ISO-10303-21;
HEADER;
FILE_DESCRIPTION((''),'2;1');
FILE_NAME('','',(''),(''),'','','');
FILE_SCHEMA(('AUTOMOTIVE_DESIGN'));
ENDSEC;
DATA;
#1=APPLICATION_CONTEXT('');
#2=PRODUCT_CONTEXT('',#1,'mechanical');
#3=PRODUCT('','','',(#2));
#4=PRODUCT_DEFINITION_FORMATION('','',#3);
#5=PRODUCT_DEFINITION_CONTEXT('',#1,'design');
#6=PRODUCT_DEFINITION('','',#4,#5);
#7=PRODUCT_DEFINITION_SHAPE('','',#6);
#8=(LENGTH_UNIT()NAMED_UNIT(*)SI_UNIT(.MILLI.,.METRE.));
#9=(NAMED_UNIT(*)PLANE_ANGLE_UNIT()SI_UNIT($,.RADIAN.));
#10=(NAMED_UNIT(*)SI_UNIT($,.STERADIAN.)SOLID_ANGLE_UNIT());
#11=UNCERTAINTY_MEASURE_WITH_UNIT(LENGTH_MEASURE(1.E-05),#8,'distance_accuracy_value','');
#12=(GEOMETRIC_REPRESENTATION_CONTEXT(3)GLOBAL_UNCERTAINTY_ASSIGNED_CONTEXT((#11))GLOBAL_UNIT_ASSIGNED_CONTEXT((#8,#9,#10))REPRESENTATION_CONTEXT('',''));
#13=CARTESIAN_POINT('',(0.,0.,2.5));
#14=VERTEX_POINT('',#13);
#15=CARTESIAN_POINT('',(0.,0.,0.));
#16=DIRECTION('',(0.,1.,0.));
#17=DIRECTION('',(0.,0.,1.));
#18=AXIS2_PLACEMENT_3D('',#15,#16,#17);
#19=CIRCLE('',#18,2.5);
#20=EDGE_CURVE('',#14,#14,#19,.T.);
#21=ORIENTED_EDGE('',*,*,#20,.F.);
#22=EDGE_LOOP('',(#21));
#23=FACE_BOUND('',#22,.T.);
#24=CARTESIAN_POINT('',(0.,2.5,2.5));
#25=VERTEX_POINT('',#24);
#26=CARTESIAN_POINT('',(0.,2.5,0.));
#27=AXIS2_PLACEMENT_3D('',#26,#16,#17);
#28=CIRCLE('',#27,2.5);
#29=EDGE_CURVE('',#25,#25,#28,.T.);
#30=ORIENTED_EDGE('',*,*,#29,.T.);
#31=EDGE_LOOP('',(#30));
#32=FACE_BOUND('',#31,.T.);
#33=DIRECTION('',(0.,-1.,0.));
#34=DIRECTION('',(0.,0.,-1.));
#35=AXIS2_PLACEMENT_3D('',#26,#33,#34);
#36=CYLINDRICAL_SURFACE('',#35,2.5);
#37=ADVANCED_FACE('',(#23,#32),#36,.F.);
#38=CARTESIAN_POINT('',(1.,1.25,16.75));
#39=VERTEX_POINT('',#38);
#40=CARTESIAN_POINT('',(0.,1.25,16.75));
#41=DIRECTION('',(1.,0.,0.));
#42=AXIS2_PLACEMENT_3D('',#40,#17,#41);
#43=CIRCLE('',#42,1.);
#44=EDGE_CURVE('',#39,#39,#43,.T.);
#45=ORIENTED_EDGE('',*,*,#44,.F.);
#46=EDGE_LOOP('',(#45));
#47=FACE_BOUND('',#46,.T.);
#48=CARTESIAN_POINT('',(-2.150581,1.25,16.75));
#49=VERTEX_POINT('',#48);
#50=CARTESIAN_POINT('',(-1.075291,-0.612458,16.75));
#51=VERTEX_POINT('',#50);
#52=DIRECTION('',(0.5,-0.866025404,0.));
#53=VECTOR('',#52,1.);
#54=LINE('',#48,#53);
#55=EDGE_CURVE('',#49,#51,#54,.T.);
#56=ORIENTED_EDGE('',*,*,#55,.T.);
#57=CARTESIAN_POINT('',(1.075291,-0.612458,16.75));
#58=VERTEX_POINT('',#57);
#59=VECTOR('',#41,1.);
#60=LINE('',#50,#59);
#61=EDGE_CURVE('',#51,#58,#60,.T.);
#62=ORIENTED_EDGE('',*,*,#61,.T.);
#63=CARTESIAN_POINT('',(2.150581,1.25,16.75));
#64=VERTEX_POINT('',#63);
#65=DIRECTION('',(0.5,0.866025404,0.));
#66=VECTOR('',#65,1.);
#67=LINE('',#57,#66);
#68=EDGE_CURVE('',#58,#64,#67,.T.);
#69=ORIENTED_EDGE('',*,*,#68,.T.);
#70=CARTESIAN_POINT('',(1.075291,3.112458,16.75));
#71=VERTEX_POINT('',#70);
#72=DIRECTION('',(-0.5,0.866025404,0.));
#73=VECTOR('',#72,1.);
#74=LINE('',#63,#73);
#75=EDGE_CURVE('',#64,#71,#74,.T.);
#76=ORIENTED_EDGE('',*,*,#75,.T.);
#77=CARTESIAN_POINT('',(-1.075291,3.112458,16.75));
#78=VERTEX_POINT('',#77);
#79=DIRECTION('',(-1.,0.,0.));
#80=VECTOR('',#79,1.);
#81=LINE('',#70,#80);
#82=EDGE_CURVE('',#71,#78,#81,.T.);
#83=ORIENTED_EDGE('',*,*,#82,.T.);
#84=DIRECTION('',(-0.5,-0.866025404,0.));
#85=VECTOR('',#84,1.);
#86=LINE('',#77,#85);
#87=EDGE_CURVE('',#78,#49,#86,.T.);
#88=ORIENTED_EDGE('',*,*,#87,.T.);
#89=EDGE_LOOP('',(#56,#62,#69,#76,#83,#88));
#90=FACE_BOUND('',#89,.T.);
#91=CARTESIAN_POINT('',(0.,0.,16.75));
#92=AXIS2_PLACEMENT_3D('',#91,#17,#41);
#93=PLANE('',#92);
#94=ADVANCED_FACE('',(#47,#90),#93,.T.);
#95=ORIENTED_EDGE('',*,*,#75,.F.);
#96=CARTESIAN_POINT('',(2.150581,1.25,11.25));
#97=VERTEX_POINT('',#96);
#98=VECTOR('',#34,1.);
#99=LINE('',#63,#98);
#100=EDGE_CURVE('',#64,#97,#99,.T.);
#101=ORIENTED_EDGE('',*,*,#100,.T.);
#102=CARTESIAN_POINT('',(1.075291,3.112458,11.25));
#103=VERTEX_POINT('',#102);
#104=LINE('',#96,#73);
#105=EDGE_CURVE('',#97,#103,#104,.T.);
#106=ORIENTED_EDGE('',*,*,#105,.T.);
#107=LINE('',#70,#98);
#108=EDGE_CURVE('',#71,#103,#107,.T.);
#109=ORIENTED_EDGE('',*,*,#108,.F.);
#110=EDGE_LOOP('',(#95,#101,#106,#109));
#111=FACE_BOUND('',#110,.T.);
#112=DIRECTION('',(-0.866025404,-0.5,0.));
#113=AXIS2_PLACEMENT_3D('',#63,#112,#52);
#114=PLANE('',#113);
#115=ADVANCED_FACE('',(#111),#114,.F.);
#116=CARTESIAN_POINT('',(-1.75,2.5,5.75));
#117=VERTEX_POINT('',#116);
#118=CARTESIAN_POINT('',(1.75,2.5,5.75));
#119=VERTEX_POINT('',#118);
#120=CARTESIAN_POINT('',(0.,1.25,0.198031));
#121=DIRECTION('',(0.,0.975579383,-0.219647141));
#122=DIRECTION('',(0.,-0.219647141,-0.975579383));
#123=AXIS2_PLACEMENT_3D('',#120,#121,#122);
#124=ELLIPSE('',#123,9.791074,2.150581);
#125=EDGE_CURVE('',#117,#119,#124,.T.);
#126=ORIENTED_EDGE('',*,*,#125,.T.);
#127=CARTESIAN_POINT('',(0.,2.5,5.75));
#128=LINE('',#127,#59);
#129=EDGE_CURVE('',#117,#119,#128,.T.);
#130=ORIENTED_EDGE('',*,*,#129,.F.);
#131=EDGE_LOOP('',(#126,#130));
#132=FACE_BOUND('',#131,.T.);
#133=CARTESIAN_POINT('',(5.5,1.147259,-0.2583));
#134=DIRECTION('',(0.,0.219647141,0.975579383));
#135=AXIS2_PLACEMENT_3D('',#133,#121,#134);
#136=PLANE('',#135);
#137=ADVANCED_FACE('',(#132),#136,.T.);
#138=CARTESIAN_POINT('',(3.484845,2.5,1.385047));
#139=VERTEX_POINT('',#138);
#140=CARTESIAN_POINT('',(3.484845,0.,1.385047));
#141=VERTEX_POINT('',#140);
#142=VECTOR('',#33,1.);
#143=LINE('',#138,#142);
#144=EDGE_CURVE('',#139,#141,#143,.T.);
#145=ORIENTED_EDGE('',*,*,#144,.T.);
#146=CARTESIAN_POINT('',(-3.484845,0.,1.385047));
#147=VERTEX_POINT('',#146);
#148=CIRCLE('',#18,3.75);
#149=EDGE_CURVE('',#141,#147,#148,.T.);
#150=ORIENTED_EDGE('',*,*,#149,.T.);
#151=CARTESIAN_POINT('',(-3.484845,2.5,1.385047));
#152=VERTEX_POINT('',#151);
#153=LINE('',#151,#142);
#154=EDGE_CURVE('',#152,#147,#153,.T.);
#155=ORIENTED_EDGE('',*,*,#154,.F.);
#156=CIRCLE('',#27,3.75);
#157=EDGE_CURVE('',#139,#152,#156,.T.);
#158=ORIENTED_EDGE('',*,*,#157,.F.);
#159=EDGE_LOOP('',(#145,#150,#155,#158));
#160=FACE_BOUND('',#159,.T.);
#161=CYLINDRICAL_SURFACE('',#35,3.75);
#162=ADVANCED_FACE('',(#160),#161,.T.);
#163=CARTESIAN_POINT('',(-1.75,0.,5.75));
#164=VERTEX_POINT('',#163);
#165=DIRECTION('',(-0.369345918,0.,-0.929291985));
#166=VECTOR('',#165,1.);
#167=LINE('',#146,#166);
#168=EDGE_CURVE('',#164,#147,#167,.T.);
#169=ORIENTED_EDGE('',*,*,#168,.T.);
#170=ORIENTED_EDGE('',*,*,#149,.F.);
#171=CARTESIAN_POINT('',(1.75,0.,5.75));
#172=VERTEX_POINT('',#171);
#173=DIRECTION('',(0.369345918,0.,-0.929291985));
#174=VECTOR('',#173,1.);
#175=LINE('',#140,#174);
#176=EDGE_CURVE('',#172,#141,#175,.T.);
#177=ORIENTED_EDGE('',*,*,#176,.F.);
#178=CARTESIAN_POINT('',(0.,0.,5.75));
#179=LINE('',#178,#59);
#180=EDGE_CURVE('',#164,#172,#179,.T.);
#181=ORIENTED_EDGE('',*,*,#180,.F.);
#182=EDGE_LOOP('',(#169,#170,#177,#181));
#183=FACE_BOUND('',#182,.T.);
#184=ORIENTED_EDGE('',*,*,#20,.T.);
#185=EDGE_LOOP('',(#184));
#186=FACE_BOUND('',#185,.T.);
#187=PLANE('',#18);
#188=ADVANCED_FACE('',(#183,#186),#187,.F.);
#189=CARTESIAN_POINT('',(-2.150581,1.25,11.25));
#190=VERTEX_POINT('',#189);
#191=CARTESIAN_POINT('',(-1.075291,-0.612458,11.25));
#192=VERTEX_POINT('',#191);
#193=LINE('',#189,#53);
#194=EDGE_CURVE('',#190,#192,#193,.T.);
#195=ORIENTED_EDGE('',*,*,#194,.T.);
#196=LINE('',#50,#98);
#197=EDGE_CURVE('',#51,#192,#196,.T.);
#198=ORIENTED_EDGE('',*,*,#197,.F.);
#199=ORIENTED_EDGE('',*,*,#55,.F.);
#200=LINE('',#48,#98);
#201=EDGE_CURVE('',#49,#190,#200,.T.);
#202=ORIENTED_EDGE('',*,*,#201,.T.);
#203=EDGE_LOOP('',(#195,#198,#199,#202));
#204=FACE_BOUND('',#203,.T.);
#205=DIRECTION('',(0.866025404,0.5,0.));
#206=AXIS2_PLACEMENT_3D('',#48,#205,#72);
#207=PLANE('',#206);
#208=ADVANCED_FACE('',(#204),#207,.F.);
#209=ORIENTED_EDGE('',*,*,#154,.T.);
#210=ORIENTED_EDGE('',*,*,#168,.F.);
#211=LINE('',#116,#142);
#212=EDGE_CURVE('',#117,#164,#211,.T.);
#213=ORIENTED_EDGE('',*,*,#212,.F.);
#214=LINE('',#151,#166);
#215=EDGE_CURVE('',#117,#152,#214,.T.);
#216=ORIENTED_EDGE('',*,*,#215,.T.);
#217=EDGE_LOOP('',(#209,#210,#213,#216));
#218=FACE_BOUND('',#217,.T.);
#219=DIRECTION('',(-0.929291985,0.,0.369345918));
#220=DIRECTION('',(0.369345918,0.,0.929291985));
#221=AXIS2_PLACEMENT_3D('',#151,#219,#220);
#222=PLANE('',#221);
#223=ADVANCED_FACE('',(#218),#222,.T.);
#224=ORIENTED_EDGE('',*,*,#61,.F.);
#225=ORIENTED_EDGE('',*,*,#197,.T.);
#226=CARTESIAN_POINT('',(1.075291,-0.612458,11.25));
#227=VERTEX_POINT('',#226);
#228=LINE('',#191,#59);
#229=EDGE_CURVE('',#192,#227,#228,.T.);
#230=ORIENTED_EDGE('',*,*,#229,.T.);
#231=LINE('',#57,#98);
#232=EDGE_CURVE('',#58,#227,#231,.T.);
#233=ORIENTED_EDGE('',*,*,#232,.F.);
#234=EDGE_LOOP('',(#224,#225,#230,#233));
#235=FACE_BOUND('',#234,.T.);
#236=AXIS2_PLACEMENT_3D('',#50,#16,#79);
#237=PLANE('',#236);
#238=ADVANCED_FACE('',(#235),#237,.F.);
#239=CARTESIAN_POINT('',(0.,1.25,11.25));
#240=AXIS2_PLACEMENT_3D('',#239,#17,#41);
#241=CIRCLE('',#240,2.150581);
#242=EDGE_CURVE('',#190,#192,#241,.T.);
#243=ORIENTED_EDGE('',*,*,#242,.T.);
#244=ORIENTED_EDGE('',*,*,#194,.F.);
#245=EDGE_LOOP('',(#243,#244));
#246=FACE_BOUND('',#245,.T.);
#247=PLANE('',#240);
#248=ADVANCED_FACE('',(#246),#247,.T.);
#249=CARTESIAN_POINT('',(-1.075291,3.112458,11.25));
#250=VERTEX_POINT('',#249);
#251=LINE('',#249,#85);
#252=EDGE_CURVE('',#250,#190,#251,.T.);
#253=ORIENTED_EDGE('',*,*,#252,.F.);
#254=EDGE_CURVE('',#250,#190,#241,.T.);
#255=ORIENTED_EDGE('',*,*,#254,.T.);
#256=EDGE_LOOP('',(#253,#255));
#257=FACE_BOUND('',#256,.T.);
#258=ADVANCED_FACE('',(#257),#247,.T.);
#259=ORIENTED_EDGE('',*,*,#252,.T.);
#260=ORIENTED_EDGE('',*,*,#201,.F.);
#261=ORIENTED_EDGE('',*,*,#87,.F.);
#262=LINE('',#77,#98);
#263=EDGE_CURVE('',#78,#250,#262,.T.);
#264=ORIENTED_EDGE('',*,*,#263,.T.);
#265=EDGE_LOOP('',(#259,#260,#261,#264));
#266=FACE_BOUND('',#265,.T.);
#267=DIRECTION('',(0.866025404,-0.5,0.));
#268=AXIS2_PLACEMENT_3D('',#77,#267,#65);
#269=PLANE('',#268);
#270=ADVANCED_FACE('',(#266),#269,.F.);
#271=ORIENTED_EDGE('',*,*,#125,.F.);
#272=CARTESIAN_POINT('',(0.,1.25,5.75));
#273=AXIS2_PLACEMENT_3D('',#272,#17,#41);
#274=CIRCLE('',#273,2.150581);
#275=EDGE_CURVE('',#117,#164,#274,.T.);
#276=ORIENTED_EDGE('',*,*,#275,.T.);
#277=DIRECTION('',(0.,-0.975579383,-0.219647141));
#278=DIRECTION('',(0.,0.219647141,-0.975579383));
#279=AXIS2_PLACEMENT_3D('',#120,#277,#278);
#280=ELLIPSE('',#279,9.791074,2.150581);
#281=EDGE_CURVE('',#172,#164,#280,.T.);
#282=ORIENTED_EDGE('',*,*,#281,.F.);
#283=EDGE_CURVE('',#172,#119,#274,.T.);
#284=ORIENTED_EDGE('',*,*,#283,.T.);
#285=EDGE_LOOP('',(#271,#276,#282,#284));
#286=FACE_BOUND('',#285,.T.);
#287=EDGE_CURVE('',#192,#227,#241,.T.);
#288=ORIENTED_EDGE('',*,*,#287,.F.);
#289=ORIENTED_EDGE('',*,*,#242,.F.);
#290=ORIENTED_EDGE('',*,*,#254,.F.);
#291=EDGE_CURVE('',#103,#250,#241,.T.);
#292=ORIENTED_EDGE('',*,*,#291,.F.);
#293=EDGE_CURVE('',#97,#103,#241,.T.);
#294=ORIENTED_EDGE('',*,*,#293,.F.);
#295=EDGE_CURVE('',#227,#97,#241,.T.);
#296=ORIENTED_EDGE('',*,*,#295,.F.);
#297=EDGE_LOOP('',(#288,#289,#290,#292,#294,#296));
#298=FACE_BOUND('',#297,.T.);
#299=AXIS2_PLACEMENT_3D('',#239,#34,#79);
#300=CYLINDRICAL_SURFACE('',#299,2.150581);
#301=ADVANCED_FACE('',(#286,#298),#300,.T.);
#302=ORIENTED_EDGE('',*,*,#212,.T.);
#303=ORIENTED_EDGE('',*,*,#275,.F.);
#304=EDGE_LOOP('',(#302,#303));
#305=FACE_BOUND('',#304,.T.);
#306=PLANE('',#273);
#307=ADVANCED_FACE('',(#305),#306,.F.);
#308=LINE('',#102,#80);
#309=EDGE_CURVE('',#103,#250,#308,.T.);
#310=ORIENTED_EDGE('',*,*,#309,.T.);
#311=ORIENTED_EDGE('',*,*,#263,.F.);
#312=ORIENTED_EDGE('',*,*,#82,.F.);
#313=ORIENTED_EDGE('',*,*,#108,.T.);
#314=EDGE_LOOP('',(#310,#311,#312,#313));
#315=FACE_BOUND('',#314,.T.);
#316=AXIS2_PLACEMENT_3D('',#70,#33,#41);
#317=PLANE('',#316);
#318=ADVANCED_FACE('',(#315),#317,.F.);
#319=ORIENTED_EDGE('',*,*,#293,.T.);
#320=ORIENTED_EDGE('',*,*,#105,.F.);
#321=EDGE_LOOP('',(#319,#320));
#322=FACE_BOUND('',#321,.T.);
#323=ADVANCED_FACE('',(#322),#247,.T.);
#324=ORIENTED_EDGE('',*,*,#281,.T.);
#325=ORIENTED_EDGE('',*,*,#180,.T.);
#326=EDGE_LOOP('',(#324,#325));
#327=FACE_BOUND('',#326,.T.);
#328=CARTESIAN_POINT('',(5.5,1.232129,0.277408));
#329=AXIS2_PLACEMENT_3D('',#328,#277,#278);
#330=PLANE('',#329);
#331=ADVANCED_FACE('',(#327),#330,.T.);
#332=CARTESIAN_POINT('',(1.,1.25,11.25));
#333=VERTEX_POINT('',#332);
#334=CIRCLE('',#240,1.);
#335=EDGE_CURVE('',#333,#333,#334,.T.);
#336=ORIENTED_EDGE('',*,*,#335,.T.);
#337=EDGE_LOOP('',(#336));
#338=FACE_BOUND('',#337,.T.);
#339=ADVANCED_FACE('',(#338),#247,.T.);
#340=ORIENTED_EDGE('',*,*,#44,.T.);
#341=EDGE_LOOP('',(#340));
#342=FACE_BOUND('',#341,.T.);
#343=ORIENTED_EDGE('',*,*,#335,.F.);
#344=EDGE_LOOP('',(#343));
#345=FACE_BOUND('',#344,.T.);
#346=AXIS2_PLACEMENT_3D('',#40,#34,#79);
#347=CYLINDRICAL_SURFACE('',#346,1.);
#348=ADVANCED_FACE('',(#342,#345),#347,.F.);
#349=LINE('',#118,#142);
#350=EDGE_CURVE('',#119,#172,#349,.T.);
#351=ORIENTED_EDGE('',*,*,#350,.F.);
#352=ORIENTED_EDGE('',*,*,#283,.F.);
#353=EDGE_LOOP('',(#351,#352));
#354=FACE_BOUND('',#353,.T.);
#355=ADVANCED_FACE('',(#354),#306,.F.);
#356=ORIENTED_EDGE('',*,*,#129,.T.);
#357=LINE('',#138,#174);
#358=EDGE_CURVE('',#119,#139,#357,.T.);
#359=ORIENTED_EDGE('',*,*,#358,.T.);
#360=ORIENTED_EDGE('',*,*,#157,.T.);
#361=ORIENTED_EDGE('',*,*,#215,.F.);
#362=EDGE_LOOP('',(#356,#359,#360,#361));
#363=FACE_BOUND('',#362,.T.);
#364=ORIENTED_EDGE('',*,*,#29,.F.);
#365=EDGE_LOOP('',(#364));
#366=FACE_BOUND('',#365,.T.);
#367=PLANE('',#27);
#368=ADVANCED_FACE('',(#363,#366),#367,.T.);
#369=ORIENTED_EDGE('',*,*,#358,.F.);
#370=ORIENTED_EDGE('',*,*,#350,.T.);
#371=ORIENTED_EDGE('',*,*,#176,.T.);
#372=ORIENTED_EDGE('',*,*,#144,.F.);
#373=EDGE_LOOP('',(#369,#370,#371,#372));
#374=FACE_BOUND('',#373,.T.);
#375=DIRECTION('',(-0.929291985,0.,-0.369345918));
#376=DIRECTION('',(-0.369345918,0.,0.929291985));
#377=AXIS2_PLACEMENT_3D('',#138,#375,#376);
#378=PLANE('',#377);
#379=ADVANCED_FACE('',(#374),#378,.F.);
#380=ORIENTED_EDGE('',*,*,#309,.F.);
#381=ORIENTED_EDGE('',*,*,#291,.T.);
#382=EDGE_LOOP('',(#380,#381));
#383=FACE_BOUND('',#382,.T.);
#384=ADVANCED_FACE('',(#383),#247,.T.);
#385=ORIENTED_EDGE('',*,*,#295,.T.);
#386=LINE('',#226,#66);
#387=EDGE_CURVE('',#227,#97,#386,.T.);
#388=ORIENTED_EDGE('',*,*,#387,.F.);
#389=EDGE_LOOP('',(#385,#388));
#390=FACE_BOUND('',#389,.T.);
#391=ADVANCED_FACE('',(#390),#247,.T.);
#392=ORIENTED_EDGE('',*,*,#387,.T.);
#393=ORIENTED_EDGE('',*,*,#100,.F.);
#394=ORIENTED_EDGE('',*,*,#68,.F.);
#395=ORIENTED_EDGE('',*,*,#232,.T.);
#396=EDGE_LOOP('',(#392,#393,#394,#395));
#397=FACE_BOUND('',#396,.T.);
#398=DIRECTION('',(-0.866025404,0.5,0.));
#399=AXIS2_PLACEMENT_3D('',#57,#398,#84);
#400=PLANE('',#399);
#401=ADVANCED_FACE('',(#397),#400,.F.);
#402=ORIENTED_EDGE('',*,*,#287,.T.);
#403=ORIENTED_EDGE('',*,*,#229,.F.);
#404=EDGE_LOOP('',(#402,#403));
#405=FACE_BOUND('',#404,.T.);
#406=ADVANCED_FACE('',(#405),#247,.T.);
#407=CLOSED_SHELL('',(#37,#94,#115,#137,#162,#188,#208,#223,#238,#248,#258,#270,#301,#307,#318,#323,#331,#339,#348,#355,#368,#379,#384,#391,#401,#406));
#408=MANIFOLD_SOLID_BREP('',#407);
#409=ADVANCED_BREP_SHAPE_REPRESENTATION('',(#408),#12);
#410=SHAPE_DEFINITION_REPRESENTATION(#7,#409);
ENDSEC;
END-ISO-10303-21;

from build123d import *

# Parameters (mm, degrees)
SKETCH1_R               = 2.5
BOSS_EXTRUDE1_DEPTH     = 2.5
SKETCH2_R               = 2.150581317
BOSS_EXTRUDE2_DEPTH     = 5.5
CUT_EXTRUDE1_DEPTH      = 5.5
CUT_EXTRUDE1_DEPTH_BACK = 5.5
SKETCH5_R               = 1
BOSS_EXTRUDE4_DEPTH     = 5.5


with BuildPart() as part:
    # Sketch1 → Boss-Extrude1 (new body)
    with BuildSketch(Plane(origin=(0, 0, 0), x_dir=(1, 0, 0), z_dir=(0, 1, 0))):
        with BuildLine():
            Line((1.75, -5.75), (3.484844943, -1.385047191))
            ThreePointArc((3.484844943, -1.385047191), (0, 3.75), (-3.484844943, -1.385047191))
            Line((-3.484844943, -1.385047191), (-1.75, -5.75))
            Line((-1.75, -5.75), (1.75, -5.75))
        make_face()
        Circle(SKETCH1_R, mode=Mode.SUBTRACT)
    extrude(amount=BOSS_EXTRUDE1_DEPTH)

    # Sketch2 → Boss-Extrude2 (add)
    with BuildSketch(Plane.XY.offset(5.75)):
        with Locations((0, 1.25)):
            Circle(SKETCH2_R)
    extrude(amount=BOSS_EXTRUDE2_DEPTH)

    # Sketch4 → Cut-Extrude1 (cut, two sides: drawn at the far end of the back side and taken through both)
    with BuildSketch(Plane(origin=(0, 0, 0), x_dir=(0, 0, -1), z_dir=(1, 0, 0)).offset(-CUT_EXTRUDE1_DEPTH_BACK)):
        Polygon((-5.75, 3.400581317), (-9.75, 3.400581317), (-5.75, 2.5), align=None)
        Polygon((-5.75, -0.900581317), (-5.75, 0), (-9.75, -0.900581317), align=None)
    extrude(amount=CUT_EXTRUDE1_DEPTH + CUT_EXTRUDE1_DEPTH_BACK, mode=Mode.SUBTRACT)

    # Sketch5 → Boss-Extrude4 (add)
    with BuildSketch(Plane.XY.offset(11.25)):
        Polygon((2.150581317, 1.25), (1.075290658, 3.112458053), (-1.075290658, 3.112458053), (-2.150581317, 1.25), (-1.075290658, -0.612458053), (1.075290658, -0.612458053), align=None)
        with Locations((0, 1.25)):
            Circle(SKETCH5_R, mode=Mode.SUBTRACT)
    extrude(amount=BOSS_EXTRUDE4_DEPTH)


solid = part.part
